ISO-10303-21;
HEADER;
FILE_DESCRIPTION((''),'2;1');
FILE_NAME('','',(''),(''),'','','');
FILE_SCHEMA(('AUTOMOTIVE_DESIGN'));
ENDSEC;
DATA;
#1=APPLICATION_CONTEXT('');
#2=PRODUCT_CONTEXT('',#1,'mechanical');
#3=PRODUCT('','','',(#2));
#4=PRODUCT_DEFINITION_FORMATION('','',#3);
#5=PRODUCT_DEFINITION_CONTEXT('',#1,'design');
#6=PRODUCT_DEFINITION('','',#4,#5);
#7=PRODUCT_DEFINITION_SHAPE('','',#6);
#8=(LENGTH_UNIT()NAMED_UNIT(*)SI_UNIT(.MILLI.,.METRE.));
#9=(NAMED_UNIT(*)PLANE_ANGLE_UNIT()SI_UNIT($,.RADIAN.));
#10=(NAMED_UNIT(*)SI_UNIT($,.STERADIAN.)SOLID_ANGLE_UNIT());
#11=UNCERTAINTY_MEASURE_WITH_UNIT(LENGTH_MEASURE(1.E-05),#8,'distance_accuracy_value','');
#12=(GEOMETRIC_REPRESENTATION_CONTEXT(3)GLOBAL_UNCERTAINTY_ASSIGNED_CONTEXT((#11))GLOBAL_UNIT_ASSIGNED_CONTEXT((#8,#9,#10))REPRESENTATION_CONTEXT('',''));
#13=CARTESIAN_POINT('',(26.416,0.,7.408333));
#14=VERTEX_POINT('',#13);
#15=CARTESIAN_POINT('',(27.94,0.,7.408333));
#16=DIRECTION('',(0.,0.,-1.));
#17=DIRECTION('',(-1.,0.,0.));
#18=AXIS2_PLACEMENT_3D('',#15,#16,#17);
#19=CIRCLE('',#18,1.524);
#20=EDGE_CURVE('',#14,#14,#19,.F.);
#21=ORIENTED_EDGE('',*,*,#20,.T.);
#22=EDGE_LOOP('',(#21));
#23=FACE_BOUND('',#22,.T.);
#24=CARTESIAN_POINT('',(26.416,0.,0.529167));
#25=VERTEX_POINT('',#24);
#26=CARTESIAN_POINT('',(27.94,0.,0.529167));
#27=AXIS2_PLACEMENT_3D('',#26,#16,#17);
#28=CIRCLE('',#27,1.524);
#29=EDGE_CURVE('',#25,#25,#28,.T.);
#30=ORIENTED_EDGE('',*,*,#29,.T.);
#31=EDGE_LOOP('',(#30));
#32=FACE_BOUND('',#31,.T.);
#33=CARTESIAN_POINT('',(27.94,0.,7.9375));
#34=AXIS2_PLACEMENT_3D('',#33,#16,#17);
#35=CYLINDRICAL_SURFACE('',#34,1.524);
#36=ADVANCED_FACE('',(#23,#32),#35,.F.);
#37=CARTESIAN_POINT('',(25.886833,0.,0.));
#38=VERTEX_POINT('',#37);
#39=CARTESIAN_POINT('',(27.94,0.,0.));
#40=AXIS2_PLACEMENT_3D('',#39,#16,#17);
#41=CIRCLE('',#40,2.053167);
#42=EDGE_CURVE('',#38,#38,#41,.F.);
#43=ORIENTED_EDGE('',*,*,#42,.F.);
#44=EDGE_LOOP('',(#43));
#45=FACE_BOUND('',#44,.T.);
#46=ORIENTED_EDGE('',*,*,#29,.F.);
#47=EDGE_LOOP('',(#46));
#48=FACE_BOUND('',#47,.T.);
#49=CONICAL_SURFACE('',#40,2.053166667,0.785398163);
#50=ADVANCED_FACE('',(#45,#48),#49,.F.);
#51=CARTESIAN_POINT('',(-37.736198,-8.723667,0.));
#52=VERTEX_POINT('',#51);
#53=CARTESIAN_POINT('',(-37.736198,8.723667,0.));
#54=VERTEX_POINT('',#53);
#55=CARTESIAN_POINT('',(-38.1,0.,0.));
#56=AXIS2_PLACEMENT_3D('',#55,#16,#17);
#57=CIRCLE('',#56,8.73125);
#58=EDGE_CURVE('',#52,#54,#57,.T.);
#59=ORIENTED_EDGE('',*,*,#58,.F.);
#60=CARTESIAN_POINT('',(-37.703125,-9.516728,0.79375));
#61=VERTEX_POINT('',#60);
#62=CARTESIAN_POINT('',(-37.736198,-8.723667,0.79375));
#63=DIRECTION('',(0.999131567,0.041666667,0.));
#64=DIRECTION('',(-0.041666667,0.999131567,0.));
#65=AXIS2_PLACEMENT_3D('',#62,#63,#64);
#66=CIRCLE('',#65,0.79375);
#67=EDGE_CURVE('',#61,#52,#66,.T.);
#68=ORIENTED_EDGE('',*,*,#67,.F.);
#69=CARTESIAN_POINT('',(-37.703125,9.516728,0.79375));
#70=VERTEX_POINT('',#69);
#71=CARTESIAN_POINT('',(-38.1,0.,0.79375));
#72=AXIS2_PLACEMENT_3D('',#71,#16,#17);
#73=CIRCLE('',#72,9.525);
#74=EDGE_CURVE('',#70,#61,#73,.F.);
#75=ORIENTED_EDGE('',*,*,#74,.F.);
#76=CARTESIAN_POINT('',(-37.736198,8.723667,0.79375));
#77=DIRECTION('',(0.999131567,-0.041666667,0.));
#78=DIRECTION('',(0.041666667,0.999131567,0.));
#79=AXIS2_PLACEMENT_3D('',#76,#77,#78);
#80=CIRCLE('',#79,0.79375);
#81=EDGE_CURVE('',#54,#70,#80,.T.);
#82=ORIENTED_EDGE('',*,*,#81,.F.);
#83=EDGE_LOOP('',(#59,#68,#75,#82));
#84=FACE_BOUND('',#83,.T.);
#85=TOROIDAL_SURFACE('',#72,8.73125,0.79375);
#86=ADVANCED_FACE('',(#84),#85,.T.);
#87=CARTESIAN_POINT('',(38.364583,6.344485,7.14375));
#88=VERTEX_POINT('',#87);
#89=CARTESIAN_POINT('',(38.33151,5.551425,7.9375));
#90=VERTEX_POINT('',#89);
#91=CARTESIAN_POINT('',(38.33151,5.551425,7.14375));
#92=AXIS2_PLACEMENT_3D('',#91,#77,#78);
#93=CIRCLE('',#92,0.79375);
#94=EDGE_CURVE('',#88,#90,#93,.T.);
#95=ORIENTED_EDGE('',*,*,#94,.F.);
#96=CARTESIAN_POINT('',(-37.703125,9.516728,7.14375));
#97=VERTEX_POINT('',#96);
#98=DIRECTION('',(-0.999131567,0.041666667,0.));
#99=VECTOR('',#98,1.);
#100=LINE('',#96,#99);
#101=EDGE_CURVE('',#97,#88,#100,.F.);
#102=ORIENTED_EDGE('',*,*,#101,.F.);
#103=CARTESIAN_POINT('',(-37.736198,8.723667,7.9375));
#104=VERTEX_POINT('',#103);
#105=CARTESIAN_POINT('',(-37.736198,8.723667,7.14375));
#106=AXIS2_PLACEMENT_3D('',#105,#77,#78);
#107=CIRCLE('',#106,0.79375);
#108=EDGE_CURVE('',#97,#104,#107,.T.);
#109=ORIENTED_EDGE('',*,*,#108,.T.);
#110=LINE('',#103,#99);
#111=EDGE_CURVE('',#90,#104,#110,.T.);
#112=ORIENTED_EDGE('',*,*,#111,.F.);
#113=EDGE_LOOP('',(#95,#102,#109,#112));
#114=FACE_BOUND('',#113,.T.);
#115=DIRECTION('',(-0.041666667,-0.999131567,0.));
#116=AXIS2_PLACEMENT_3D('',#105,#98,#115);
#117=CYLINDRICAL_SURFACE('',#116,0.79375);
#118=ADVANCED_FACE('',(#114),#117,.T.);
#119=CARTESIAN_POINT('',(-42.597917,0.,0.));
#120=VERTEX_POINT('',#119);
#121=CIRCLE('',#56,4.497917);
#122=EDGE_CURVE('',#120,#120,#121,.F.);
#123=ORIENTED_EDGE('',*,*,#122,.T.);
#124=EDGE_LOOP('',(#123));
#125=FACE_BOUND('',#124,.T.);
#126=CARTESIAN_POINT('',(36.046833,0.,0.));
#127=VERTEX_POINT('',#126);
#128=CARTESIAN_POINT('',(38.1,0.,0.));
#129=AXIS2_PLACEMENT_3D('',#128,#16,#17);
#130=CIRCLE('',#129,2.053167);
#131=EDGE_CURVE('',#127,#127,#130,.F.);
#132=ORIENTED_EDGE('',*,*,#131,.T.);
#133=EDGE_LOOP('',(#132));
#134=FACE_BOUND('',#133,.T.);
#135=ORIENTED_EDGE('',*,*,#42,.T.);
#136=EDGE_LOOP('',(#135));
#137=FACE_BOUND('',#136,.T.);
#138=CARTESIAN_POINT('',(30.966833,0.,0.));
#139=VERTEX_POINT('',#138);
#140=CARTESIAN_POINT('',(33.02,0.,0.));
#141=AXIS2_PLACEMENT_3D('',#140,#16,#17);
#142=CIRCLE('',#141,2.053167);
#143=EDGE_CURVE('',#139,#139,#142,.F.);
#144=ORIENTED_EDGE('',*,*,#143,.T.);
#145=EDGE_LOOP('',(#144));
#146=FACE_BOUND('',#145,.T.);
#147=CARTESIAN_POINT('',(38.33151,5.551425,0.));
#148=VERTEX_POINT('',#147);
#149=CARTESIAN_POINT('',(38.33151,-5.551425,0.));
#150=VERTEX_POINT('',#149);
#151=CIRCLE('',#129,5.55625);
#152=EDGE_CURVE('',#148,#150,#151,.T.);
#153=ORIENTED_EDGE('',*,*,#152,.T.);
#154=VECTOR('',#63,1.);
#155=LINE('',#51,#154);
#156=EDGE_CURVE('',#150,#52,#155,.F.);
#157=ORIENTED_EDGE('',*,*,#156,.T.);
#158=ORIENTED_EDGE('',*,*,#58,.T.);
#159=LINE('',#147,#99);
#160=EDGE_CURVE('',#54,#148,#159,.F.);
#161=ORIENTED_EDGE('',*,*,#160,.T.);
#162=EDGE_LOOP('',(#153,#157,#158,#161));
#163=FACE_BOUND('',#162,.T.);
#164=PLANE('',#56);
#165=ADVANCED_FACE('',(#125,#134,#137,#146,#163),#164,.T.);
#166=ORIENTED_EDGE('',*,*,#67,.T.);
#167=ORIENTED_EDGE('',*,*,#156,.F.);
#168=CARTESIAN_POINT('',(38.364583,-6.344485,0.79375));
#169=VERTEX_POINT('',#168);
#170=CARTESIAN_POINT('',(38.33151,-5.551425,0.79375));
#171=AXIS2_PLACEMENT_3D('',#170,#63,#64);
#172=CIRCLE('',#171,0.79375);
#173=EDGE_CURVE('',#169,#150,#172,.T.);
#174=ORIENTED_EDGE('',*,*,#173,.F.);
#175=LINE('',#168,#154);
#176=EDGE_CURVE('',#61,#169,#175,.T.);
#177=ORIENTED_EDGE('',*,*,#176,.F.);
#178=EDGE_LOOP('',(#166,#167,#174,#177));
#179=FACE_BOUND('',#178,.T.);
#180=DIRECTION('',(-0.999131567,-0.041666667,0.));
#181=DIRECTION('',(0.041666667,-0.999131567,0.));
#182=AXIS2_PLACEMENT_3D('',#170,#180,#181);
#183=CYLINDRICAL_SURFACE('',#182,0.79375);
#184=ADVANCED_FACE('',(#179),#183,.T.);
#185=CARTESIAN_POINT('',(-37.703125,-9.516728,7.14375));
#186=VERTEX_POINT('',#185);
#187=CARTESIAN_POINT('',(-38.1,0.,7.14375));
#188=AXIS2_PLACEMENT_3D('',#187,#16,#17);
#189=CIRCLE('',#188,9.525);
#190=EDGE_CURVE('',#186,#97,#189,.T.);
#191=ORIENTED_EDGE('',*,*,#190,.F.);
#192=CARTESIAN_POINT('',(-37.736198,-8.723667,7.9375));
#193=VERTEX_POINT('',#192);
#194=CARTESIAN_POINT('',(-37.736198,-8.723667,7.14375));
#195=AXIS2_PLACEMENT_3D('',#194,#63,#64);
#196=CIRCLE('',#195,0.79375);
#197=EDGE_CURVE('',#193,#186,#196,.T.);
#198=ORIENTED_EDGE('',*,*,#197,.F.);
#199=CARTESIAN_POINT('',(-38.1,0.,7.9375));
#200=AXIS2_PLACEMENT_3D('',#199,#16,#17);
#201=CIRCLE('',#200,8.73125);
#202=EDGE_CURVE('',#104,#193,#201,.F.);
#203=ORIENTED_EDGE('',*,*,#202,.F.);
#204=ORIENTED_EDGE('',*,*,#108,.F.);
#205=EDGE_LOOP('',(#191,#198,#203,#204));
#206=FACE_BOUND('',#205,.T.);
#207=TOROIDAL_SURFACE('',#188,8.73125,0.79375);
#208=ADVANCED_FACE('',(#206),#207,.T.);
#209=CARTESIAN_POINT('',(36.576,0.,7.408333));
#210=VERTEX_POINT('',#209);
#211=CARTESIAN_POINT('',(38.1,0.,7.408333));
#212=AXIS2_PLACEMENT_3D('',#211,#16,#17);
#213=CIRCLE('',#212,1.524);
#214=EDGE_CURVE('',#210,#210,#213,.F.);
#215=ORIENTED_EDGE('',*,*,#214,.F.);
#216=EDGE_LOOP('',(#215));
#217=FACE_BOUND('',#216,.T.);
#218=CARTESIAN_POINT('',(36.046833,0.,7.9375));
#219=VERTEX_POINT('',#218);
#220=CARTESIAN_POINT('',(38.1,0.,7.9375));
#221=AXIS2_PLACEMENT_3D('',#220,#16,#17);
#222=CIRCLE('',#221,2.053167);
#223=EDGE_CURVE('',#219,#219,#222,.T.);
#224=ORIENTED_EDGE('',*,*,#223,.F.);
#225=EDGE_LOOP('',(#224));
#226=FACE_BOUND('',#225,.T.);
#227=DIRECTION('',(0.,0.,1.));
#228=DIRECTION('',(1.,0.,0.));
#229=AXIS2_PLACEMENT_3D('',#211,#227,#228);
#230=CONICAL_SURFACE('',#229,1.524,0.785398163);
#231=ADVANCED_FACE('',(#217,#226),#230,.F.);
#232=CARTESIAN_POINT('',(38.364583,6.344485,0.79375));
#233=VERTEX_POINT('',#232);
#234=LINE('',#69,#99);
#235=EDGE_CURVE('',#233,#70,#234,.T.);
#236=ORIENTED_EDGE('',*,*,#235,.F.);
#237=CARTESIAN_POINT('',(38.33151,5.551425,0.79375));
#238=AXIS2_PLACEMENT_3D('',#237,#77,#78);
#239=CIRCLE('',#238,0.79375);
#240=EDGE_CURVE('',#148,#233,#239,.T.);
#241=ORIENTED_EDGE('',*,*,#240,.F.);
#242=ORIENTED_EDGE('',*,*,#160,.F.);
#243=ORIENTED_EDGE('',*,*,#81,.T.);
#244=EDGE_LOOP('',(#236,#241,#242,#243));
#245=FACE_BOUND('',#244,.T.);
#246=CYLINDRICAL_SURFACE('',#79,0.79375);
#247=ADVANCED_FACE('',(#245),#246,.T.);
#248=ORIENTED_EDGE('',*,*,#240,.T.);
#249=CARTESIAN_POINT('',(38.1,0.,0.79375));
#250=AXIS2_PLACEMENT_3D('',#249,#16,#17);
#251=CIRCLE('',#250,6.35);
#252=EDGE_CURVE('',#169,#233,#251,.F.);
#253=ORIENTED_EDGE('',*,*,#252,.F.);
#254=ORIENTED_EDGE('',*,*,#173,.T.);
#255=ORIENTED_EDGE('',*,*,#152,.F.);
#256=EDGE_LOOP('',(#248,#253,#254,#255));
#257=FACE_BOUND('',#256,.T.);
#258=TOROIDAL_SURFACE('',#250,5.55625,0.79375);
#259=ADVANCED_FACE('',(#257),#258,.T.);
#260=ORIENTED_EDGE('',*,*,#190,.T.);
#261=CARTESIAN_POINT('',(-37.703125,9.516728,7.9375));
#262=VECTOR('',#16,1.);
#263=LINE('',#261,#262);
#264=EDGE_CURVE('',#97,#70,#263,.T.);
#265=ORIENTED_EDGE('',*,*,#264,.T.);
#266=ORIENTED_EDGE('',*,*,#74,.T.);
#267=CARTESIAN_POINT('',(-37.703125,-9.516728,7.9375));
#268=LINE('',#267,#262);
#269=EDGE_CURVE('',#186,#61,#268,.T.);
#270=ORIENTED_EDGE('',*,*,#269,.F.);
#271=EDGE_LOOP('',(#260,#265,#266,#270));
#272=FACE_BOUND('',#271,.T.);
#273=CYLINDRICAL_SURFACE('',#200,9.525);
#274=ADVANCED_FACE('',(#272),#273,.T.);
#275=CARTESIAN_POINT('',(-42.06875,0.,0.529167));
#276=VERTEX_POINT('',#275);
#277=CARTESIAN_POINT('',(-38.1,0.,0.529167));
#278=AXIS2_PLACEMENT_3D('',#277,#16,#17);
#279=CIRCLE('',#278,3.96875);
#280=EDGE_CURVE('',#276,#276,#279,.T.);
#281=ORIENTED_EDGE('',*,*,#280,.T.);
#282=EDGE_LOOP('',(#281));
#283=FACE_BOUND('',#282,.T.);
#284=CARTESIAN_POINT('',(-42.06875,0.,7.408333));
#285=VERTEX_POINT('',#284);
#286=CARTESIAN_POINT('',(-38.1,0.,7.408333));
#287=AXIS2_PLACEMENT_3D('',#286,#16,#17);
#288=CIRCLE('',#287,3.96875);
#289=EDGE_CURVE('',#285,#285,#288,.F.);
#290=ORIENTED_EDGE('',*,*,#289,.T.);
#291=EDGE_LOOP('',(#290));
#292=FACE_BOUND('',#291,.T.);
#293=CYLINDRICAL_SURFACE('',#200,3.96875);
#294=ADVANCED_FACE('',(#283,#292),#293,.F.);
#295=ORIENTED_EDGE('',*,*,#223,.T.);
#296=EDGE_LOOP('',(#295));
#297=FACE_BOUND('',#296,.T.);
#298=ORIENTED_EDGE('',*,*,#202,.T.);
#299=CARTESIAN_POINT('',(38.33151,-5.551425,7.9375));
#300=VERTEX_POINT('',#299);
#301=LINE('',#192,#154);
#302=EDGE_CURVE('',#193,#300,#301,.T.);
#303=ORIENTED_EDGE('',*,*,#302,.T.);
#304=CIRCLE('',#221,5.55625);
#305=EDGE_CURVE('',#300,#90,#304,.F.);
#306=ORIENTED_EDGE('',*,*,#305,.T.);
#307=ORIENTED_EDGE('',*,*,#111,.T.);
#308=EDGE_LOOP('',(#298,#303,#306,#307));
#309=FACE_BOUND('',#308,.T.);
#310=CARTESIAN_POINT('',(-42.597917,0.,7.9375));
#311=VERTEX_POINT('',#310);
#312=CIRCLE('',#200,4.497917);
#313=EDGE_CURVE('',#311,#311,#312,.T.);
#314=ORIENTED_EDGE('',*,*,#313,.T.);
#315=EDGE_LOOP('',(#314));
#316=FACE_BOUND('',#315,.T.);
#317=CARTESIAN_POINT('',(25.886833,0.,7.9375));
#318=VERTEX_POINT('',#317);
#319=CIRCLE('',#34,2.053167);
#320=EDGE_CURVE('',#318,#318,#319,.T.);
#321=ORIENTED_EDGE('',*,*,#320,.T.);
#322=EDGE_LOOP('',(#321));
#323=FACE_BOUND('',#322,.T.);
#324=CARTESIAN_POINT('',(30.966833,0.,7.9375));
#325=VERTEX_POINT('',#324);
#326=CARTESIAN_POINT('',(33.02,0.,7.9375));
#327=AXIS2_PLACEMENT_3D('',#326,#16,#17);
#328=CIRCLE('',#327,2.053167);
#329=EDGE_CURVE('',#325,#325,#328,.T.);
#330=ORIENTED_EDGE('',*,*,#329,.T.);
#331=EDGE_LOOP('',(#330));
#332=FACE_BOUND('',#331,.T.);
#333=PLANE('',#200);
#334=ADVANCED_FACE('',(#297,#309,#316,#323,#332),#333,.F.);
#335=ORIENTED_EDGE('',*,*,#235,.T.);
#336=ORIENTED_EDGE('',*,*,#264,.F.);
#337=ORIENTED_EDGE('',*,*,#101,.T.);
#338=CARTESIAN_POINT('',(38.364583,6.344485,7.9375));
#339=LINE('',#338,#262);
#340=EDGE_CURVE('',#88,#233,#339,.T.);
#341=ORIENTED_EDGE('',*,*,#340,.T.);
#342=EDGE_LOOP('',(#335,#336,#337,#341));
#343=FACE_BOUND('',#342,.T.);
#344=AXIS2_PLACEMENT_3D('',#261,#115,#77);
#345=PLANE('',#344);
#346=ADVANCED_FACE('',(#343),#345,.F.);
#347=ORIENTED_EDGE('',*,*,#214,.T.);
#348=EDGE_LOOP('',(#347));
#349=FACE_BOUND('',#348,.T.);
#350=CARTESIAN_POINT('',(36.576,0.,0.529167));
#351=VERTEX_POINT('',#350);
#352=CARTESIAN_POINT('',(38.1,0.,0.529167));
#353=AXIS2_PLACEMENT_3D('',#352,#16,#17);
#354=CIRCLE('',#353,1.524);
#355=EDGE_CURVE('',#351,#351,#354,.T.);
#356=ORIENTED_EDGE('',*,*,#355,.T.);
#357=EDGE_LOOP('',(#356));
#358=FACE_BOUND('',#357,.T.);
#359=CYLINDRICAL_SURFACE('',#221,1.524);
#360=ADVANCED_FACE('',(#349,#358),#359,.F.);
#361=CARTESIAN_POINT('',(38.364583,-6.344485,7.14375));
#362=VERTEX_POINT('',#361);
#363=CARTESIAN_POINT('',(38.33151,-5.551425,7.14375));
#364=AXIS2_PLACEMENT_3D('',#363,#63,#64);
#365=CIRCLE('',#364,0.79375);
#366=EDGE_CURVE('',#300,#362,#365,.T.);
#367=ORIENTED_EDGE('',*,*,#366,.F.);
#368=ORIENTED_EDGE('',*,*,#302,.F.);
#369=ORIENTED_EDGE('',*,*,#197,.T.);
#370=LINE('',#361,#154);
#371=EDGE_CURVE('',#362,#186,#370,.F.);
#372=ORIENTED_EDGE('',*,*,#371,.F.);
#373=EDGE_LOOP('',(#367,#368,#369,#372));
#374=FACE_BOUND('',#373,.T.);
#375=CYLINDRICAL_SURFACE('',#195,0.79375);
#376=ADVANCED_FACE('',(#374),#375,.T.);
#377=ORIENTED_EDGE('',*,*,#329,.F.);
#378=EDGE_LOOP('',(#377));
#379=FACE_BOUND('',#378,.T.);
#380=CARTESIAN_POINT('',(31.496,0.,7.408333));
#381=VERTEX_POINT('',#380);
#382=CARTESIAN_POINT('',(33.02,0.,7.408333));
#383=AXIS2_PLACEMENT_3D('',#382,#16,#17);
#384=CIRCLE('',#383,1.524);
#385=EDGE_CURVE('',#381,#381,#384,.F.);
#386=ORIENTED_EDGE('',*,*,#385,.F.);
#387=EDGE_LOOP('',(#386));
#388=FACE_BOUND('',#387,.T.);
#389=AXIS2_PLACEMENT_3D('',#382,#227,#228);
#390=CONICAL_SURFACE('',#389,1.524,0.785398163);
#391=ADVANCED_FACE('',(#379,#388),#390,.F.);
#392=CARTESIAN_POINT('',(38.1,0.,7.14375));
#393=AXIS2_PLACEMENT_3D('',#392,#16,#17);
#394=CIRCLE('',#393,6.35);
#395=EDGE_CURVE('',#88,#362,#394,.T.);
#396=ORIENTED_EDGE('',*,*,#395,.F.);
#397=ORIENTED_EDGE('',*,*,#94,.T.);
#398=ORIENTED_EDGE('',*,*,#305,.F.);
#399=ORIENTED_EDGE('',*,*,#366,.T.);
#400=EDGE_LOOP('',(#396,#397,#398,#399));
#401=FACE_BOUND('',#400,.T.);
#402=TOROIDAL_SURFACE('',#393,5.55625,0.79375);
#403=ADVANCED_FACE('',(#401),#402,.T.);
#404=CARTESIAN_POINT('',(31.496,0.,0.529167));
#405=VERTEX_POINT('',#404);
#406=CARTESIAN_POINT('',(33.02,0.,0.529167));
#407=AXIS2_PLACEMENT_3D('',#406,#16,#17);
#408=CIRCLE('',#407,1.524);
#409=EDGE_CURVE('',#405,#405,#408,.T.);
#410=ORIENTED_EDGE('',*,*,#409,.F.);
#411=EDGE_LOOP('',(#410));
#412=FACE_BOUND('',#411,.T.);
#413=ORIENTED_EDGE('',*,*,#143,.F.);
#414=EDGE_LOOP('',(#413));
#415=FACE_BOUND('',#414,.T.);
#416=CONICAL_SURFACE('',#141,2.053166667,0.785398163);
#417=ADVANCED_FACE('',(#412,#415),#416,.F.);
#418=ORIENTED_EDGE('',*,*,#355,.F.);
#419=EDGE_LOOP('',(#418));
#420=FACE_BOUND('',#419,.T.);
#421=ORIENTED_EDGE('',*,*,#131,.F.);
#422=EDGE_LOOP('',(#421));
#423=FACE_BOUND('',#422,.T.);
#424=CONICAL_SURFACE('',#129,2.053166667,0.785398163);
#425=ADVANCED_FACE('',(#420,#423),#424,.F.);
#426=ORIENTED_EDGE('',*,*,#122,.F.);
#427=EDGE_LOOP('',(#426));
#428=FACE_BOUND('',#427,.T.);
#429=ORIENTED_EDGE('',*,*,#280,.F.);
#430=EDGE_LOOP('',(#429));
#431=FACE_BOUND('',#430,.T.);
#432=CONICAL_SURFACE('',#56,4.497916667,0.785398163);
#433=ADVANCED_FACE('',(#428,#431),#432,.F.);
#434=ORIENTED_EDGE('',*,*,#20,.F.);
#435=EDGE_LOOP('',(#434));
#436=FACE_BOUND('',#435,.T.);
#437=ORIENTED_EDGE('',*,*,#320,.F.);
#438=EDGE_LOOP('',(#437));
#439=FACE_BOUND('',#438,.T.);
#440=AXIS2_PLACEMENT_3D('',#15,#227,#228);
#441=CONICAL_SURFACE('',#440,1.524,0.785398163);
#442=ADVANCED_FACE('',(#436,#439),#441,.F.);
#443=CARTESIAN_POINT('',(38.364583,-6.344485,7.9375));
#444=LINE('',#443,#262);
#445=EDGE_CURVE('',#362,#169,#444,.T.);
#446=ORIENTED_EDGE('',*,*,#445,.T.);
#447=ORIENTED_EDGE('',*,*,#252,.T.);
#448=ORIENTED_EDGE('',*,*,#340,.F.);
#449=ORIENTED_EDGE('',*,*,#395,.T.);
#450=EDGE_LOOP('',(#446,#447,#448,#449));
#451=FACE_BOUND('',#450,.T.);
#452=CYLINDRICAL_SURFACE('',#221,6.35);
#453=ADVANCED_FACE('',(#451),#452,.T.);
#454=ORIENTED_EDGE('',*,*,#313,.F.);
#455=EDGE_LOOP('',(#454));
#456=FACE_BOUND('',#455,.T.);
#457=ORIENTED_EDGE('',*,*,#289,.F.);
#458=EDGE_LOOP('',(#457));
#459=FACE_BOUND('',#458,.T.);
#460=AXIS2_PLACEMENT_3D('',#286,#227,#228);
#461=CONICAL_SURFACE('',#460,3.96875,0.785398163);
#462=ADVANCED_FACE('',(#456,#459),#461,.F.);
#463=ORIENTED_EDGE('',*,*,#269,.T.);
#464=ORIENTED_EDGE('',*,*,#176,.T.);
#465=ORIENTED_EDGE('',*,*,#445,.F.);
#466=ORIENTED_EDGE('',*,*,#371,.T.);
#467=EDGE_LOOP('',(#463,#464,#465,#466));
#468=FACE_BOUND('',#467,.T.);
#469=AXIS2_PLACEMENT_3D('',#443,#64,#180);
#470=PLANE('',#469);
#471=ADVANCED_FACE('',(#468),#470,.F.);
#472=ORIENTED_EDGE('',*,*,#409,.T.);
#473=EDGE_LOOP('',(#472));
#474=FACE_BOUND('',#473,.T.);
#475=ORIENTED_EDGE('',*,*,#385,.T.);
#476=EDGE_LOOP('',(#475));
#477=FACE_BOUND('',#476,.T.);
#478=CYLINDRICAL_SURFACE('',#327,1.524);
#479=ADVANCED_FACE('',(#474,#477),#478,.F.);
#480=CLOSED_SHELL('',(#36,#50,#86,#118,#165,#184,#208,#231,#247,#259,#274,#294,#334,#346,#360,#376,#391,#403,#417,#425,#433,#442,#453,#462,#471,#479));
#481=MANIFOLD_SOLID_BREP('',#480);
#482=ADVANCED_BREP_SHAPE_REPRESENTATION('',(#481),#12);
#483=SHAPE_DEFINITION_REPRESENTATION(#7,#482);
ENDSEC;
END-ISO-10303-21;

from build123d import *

# Parameters (mm, degrees)
SKETCH1_R           = 3.96875
SKETCH1_R_2         = 1.524
BOSS_EXTRUDE1_DEPTH = 7.9375
FILLET2_R           = 0.79375
CHAMFER1_SIZE       = 0.529166667


with BuildPart() as part:
    # Sketch1 → Boss-Extrude1 (new body)
    with BuildSketch(Plane.XY):
        with BuildLine():
            Line((-37.703125, 9.516728179), (38.364583333, 6.344485453))
            ThreePointArc((38.364583333, 6.344485453), (44.45, 0), (38.364583333, -6.344485453))
            Line((38.364583333, -6.344485453), (-37.703125, -9.516728179))
            ThreePointArc((-37.703125, -9.516728179), (-47.625, 0), (-37.703125, 9.516728179))
        make_face()
        with Locations((-38.1, 0)):
            Circle(SKETCH1_R, mode=Mode.SUBTRACT)
        with Locations((38.1, 0)):
            Circle(SKETCH1_R_2, mode=Mode.SUBTRACT)
        with Locations((33.02, 0)):
            Circle(SKETCH1_R_2, mode=Mode.SUBTRACT)
        with Locations((27.94, 0)):
            Circle(SKETCH1_R_2, mode=Mode.SUBTRACT)
    extrude(amount=BOSS_EXTRUDE1_DEPTH)

    # Fillet2
    fillet2_edges = [part.edges().sort_by_distance(p)[0] for p in [
        (44.45, 0, 7.9375),
        (0.330729167, 7.930606816, 7.9375),
        (-47.625, 0, 7.9375),
        (0.330729167, 7.930606816, 0),
        (44.45, 0, 0),
        (0.330729167, -7.930606816, 0),
        (-47.625, 0, 0),
        (0.330729167, -7.930606816, 7.9375),
    ]]
    fillet(fillet2_edges, radius=FILLET2_R)

    # Chamfer1
    chamfer1_edges = [part.edges().sort_by_distance(p)[0] for p in [
        (-42.06875, 0, 0),
        (-42.06875, 0, 7.9375),
        (36.576, 0, 0),
        (36.576, 0, 7.9375),
        (31.496, 0, 0),
        (31.496, 0, 7.9375),
        (26.416, 0, 0),
        (26.416, 0, 7.9375),
    ]]
    chamfer(chamfer1_edges, length=CHAMFER1_SIZE)


solid = part.part
